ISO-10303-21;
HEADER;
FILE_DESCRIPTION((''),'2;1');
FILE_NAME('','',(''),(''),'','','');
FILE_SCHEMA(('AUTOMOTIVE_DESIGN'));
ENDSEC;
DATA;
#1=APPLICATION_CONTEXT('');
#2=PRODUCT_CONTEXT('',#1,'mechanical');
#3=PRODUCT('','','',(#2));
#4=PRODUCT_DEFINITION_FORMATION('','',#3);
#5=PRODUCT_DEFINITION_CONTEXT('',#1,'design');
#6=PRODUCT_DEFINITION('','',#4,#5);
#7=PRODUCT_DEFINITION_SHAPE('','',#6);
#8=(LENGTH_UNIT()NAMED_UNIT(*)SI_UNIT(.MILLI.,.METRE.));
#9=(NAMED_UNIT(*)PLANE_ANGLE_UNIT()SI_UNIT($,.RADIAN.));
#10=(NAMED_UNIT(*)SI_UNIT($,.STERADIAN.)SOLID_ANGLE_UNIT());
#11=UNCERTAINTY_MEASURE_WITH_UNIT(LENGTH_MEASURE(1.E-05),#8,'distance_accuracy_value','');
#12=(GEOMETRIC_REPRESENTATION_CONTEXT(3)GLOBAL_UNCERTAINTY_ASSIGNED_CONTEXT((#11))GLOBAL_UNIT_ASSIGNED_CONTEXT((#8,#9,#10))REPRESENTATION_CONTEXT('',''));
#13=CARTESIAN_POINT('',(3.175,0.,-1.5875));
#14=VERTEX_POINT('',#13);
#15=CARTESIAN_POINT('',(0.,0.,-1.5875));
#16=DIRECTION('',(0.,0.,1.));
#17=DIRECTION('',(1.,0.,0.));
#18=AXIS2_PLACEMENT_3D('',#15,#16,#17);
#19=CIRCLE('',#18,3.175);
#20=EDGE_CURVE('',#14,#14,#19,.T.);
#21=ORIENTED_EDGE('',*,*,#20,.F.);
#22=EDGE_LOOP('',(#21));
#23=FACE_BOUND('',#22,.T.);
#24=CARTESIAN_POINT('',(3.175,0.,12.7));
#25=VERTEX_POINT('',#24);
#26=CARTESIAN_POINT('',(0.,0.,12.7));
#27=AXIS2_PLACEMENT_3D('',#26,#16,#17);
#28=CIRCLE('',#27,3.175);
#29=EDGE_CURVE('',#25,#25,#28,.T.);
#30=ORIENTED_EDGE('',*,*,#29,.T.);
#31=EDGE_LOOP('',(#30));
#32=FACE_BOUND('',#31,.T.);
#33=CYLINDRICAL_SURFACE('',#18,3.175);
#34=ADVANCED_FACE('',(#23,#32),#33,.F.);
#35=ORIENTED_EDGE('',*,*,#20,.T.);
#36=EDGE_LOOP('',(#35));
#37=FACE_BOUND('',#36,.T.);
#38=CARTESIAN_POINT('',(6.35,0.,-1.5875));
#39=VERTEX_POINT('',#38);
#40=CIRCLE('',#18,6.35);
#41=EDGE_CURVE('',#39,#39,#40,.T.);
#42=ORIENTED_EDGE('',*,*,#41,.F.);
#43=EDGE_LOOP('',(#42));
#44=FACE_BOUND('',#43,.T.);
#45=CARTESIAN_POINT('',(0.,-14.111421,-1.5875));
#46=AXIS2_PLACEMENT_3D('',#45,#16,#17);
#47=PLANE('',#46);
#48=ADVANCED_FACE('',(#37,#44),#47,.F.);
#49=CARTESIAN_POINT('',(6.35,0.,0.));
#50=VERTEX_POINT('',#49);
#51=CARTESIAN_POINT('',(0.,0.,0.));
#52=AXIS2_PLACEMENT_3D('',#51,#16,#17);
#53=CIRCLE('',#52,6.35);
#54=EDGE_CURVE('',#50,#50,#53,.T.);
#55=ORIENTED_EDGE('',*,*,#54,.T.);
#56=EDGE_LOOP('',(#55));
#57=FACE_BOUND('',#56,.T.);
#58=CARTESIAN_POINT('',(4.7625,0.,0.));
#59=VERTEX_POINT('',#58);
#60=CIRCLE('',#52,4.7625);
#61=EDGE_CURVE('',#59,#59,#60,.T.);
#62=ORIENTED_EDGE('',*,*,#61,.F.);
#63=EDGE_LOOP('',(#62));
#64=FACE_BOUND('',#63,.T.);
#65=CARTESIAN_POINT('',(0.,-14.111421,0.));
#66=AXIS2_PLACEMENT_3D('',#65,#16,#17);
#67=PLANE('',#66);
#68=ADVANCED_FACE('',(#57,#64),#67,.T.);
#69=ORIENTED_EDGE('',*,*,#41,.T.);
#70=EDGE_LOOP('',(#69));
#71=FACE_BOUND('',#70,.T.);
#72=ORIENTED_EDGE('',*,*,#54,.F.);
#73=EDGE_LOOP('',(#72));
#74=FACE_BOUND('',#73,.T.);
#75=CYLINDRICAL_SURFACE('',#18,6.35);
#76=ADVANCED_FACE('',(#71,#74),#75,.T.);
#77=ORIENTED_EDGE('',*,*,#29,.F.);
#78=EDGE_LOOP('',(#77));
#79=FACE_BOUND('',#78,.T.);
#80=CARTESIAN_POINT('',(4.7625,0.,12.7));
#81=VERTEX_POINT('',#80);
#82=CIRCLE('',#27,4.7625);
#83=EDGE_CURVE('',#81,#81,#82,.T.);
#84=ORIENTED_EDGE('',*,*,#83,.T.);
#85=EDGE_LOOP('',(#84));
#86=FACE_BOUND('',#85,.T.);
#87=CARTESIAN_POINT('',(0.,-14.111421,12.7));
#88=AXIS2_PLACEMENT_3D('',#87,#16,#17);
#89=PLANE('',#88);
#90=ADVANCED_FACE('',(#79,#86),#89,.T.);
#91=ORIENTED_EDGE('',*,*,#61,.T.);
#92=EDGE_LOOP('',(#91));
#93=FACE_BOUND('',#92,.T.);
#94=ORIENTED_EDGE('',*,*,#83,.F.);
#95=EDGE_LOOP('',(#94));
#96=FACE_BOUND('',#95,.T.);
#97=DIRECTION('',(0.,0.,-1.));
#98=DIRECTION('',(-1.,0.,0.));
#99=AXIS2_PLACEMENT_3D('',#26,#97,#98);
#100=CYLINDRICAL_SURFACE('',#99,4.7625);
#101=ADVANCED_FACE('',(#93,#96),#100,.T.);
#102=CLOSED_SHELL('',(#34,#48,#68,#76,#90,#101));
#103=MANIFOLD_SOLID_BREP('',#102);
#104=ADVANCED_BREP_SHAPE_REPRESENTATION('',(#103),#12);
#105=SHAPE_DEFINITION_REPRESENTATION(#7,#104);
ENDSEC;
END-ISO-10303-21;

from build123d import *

# Parameters (mm, degrees)
SKETCH_1_R      = 6.35
SKETCH_1_R_2    = 3.175
EXTRUDE_1_DEPTH = 1.5875
EXTRUDE_START   = 12.7
SKETCH_1_3_R    = 4.7625
SKETCH_1_3_R_2  = 3.175
EXTRUDE_2_DEPTH = 12.7


with BuildPart() as part:
    # 草图1 → 凸台-拉伸1 (new body)
    with BuildSketch(Plane.XY):
        Circle(SKETCH_1_R)
        Circle(SKETCH_1_R_2, mode=Mode.SUBTRACT)
    extrude(amount=-EXTRUDE_1_DEPTH)

    # 草图1<3> → 凸台-拉伸2 (add)
    with BuildSketch(Plane.XY.offset(EXTRUDE_START)):
        Circle(SKETCH_1_3_R)
        Circle(SKETCH_1_3_R_2, mode=Mode.SUBTRACT)
    extrude(amount=-EXTRUDE_2_DEPTH)


solid = part.part
